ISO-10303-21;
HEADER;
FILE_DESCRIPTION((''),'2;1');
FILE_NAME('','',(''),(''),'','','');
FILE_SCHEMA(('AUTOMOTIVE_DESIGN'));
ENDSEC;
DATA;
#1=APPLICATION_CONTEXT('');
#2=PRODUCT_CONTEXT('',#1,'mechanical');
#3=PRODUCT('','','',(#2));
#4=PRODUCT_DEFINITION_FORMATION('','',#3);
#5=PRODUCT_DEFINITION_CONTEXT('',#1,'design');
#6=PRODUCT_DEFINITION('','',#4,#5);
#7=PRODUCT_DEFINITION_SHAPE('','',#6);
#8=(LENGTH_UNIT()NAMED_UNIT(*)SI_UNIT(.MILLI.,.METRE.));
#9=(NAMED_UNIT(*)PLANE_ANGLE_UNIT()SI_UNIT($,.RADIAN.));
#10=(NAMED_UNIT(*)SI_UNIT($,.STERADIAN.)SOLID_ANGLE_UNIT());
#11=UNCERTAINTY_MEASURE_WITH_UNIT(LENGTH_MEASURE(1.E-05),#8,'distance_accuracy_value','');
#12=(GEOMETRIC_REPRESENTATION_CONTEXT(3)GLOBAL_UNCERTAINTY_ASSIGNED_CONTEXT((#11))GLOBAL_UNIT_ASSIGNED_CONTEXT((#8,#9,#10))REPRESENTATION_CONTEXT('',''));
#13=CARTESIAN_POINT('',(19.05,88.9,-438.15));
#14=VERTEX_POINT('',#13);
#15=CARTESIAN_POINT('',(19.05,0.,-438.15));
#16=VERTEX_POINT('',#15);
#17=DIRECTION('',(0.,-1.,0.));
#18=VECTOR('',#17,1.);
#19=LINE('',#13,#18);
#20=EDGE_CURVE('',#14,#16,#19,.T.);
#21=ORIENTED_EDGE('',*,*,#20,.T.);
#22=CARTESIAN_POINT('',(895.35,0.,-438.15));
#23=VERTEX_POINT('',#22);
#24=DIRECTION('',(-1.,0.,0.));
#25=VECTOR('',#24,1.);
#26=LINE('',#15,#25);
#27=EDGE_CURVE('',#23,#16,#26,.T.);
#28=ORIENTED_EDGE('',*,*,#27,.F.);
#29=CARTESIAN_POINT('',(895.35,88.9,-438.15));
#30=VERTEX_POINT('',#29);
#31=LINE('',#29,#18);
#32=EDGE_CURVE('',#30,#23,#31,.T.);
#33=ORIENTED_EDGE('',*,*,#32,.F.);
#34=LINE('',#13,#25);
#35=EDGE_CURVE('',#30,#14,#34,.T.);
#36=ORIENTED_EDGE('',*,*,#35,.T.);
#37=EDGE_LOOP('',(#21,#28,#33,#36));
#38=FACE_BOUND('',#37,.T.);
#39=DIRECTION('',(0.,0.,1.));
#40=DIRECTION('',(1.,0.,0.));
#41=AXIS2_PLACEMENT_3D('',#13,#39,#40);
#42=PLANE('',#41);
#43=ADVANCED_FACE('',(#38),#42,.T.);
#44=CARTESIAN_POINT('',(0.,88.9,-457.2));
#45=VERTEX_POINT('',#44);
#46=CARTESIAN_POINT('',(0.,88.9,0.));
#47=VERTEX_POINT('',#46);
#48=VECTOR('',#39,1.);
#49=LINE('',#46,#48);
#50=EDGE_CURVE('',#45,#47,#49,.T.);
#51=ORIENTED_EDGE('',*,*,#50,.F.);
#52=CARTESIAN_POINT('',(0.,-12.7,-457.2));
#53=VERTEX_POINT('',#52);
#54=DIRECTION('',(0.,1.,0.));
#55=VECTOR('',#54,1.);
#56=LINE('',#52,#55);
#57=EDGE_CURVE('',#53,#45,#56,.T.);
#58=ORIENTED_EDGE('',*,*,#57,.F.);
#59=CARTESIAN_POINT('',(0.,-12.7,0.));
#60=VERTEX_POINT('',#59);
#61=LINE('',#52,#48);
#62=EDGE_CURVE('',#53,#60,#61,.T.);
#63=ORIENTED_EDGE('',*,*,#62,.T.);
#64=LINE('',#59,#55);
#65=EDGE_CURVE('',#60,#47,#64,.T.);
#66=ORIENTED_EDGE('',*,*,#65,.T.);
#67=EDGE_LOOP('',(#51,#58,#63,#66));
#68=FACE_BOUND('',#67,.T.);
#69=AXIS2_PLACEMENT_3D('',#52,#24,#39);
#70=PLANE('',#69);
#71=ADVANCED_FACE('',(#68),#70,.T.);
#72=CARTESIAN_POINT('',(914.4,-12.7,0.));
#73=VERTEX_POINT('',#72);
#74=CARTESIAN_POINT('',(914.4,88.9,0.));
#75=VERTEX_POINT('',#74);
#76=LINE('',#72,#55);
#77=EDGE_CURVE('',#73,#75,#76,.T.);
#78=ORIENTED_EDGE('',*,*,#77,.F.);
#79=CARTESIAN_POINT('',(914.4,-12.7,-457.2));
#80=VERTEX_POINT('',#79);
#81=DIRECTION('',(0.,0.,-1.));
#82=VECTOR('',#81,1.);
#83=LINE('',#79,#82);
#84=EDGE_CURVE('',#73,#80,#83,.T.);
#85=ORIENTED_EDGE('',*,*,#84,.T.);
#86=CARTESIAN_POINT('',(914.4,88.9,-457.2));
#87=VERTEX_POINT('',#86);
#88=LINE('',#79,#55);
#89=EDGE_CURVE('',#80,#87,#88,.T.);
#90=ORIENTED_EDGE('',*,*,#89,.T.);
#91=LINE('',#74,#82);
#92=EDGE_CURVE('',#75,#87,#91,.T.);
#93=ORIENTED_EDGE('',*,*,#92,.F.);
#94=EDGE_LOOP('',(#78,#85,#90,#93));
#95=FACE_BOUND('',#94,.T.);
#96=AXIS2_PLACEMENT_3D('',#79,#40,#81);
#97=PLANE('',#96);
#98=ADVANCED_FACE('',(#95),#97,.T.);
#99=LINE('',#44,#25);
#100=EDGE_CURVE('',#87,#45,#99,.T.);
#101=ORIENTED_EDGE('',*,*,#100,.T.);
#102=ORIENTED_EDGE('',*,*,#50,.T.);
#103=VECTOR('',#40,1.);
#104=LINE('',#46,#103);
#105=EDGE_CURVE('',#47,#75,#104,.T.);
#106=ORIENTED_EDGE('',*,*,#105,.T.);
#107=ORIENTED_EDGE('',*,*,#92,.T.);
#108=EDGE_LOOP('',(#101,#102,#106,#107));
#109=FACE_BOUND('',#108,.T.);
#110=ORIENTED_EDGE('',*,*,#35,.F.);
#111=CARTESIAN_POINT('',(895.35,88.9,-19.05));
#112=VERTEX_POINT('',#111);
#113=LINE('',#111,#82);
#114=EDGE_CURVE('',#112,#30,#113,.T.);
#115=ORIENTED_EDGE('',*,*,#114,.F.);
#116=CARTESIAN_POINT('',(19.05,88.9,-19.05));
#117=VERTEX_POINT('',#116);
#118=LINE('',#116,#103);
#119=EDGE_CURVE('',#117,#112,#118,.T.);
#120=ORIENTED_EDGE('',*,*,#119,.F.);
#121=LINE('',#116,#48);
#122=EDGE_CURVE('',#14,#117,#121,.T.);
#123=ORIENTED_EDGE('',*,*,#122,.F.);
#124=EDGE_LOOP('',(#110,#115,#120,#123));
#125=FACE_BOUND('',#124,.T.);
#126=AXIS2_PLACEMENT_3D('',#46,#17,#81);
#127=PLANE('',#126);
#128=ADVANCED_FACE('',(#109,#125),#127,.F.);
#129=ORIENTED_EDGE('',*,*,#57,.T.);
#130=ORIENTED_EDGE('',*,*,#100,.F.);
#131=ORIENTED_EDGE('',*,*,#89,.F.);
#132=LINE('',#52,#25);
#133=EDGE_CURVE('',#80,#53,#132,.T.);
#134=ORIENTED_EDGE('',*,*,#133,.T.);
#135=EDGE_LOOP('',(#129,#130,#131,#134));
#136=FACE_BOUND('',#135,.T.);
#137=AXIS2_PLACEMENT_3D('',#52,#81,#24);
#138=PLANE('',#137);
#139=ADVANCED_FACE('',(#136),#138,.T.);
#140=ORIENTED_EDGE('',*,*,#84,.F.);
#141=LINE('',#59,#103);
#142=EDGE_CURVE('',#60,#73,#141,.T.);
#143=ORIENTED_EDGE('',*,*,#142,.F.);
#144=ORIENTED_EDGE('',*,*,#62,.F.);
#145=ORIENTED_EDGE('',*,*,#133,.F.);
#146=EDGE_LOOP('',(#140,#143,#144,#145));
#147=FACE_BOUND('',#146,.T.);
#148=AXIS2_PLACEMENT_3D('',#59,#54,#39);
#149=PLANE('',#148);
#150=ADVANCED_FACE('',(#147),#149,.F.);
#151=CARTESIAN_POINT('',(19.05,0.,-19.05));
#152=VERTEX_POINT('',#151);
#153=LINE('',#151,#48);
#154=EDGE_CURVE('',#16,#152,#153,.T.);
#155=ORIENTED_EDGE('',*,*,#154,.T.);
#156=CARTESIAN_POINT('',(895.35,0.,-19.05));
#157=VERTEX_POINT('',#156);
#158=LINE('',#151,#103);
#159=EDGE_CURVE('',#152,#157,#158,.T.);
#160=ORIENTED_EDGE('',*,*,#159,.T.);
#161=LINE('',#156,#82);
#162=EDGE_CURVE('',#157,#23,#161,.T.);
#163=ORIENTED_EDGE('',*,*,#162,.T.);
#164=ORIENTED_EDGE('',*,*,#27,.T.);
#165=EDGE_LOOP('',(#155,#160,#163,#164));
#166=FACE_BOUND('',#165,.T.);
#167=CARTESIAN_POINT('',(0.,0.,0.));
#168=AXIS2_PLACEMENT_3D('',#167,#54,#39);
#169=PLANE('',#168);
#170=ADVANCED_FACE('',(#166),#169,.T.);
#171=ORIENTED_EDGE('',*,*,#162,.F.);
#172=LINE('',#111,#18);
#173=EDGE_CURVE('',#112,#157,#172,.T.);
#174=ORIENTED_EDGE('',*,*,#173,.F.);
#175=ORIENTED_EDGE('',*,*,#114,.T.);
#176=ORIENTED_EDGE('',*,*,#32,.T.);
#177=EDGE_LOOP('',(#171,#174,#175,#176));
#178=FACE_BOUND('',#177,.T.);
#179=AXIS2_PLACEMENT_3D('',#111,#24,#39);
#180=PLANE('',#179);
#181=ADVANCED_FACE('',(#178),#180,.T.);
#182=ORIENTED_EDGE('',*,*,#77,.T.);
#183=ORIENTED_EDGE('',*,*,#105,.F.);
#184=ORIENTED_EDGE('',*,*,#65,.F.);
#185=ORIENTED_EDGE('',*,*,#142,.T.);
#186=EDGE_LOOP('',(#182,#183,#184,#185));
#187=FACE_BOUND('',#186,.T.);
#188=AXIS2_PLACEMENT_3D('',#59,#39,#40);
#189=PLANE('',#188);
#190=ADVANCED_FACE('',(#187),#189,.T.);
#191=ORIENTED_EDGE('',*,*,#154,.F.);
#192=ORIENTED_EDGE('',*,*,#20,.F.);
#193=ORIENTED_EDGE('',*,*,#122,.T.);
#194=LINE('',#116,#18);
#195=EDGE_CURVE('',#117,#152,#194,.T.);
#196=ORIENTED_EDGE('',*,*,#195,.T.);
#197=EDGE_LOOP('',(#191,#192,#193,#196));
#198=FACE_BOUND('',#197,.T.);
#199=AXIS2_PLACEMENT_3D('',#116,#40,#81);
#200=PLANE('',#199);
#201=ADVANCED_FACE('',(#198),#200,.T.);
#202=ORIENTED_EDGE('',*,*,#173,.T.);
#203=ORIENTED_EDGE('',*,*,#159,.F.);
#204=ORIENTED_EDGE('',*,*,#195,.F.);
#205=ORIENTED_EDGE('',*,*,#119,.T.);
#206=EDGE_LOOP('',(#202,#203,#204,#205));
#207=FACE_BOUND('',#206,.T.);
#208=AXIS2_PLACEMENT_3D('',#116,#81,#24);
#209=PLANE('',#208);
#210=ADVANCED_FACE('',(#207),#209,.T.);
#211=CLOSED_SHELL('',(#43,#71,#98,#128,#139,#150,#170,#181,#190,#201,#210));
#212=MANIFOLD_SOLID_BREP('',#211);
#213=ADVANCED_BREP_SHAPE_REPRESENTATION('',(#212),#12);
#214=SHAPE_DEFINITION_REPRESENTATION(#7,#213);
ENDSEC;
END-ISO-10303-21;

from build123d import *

# Parameters (mm, degrees)
SKETCH2_W           = 914.4
SKETCH2_H           = 457.2
BOSS_EXTRUDE2_DEPTH = 12.7
SKETCH1_W           = 914.4
SKETCH1_H           = 457.2
SKETCH1_W_2         = 876.3
SKETCH1_H_2         = 419.1
BOSS_EXTRUDE3_DEPTH = 88.9


with BuildPart() as part:
    # Sketch2 → Boss-Extrude2 (new body)
    with BuildSketch(Plane(origin=(0, 0, 0), x_dir=(1, 0, 0), z_dir=(0, 1, 0))):
        with Locations((457.2, 228.6)):
            Rectangle(SKETCH2_W, SKETCH2_H)
    extrude(amount=-BOSS_EXTRUDE2_DEPTH)

    # Sketch1 → Boss-Extrude3 (add)
    with BuildSketch(Plane(origin=(0, 0, 0), x_dir=(1, 0, 0), z_dir=(0, 1, 0))):
        with Locations((457.2, 228.6)):
            Rectangle(SKETCH1_W, SKETCH1_H)
        with Locations((457.2, 228.6)):
            Rectangle(SKETCH1_W_2, SKETCH1_H_2, mode=Mode.SUBTRACT)
    extrude(amount=BOSS_EXTRUDE3_DEPTH)


solid = part.part
